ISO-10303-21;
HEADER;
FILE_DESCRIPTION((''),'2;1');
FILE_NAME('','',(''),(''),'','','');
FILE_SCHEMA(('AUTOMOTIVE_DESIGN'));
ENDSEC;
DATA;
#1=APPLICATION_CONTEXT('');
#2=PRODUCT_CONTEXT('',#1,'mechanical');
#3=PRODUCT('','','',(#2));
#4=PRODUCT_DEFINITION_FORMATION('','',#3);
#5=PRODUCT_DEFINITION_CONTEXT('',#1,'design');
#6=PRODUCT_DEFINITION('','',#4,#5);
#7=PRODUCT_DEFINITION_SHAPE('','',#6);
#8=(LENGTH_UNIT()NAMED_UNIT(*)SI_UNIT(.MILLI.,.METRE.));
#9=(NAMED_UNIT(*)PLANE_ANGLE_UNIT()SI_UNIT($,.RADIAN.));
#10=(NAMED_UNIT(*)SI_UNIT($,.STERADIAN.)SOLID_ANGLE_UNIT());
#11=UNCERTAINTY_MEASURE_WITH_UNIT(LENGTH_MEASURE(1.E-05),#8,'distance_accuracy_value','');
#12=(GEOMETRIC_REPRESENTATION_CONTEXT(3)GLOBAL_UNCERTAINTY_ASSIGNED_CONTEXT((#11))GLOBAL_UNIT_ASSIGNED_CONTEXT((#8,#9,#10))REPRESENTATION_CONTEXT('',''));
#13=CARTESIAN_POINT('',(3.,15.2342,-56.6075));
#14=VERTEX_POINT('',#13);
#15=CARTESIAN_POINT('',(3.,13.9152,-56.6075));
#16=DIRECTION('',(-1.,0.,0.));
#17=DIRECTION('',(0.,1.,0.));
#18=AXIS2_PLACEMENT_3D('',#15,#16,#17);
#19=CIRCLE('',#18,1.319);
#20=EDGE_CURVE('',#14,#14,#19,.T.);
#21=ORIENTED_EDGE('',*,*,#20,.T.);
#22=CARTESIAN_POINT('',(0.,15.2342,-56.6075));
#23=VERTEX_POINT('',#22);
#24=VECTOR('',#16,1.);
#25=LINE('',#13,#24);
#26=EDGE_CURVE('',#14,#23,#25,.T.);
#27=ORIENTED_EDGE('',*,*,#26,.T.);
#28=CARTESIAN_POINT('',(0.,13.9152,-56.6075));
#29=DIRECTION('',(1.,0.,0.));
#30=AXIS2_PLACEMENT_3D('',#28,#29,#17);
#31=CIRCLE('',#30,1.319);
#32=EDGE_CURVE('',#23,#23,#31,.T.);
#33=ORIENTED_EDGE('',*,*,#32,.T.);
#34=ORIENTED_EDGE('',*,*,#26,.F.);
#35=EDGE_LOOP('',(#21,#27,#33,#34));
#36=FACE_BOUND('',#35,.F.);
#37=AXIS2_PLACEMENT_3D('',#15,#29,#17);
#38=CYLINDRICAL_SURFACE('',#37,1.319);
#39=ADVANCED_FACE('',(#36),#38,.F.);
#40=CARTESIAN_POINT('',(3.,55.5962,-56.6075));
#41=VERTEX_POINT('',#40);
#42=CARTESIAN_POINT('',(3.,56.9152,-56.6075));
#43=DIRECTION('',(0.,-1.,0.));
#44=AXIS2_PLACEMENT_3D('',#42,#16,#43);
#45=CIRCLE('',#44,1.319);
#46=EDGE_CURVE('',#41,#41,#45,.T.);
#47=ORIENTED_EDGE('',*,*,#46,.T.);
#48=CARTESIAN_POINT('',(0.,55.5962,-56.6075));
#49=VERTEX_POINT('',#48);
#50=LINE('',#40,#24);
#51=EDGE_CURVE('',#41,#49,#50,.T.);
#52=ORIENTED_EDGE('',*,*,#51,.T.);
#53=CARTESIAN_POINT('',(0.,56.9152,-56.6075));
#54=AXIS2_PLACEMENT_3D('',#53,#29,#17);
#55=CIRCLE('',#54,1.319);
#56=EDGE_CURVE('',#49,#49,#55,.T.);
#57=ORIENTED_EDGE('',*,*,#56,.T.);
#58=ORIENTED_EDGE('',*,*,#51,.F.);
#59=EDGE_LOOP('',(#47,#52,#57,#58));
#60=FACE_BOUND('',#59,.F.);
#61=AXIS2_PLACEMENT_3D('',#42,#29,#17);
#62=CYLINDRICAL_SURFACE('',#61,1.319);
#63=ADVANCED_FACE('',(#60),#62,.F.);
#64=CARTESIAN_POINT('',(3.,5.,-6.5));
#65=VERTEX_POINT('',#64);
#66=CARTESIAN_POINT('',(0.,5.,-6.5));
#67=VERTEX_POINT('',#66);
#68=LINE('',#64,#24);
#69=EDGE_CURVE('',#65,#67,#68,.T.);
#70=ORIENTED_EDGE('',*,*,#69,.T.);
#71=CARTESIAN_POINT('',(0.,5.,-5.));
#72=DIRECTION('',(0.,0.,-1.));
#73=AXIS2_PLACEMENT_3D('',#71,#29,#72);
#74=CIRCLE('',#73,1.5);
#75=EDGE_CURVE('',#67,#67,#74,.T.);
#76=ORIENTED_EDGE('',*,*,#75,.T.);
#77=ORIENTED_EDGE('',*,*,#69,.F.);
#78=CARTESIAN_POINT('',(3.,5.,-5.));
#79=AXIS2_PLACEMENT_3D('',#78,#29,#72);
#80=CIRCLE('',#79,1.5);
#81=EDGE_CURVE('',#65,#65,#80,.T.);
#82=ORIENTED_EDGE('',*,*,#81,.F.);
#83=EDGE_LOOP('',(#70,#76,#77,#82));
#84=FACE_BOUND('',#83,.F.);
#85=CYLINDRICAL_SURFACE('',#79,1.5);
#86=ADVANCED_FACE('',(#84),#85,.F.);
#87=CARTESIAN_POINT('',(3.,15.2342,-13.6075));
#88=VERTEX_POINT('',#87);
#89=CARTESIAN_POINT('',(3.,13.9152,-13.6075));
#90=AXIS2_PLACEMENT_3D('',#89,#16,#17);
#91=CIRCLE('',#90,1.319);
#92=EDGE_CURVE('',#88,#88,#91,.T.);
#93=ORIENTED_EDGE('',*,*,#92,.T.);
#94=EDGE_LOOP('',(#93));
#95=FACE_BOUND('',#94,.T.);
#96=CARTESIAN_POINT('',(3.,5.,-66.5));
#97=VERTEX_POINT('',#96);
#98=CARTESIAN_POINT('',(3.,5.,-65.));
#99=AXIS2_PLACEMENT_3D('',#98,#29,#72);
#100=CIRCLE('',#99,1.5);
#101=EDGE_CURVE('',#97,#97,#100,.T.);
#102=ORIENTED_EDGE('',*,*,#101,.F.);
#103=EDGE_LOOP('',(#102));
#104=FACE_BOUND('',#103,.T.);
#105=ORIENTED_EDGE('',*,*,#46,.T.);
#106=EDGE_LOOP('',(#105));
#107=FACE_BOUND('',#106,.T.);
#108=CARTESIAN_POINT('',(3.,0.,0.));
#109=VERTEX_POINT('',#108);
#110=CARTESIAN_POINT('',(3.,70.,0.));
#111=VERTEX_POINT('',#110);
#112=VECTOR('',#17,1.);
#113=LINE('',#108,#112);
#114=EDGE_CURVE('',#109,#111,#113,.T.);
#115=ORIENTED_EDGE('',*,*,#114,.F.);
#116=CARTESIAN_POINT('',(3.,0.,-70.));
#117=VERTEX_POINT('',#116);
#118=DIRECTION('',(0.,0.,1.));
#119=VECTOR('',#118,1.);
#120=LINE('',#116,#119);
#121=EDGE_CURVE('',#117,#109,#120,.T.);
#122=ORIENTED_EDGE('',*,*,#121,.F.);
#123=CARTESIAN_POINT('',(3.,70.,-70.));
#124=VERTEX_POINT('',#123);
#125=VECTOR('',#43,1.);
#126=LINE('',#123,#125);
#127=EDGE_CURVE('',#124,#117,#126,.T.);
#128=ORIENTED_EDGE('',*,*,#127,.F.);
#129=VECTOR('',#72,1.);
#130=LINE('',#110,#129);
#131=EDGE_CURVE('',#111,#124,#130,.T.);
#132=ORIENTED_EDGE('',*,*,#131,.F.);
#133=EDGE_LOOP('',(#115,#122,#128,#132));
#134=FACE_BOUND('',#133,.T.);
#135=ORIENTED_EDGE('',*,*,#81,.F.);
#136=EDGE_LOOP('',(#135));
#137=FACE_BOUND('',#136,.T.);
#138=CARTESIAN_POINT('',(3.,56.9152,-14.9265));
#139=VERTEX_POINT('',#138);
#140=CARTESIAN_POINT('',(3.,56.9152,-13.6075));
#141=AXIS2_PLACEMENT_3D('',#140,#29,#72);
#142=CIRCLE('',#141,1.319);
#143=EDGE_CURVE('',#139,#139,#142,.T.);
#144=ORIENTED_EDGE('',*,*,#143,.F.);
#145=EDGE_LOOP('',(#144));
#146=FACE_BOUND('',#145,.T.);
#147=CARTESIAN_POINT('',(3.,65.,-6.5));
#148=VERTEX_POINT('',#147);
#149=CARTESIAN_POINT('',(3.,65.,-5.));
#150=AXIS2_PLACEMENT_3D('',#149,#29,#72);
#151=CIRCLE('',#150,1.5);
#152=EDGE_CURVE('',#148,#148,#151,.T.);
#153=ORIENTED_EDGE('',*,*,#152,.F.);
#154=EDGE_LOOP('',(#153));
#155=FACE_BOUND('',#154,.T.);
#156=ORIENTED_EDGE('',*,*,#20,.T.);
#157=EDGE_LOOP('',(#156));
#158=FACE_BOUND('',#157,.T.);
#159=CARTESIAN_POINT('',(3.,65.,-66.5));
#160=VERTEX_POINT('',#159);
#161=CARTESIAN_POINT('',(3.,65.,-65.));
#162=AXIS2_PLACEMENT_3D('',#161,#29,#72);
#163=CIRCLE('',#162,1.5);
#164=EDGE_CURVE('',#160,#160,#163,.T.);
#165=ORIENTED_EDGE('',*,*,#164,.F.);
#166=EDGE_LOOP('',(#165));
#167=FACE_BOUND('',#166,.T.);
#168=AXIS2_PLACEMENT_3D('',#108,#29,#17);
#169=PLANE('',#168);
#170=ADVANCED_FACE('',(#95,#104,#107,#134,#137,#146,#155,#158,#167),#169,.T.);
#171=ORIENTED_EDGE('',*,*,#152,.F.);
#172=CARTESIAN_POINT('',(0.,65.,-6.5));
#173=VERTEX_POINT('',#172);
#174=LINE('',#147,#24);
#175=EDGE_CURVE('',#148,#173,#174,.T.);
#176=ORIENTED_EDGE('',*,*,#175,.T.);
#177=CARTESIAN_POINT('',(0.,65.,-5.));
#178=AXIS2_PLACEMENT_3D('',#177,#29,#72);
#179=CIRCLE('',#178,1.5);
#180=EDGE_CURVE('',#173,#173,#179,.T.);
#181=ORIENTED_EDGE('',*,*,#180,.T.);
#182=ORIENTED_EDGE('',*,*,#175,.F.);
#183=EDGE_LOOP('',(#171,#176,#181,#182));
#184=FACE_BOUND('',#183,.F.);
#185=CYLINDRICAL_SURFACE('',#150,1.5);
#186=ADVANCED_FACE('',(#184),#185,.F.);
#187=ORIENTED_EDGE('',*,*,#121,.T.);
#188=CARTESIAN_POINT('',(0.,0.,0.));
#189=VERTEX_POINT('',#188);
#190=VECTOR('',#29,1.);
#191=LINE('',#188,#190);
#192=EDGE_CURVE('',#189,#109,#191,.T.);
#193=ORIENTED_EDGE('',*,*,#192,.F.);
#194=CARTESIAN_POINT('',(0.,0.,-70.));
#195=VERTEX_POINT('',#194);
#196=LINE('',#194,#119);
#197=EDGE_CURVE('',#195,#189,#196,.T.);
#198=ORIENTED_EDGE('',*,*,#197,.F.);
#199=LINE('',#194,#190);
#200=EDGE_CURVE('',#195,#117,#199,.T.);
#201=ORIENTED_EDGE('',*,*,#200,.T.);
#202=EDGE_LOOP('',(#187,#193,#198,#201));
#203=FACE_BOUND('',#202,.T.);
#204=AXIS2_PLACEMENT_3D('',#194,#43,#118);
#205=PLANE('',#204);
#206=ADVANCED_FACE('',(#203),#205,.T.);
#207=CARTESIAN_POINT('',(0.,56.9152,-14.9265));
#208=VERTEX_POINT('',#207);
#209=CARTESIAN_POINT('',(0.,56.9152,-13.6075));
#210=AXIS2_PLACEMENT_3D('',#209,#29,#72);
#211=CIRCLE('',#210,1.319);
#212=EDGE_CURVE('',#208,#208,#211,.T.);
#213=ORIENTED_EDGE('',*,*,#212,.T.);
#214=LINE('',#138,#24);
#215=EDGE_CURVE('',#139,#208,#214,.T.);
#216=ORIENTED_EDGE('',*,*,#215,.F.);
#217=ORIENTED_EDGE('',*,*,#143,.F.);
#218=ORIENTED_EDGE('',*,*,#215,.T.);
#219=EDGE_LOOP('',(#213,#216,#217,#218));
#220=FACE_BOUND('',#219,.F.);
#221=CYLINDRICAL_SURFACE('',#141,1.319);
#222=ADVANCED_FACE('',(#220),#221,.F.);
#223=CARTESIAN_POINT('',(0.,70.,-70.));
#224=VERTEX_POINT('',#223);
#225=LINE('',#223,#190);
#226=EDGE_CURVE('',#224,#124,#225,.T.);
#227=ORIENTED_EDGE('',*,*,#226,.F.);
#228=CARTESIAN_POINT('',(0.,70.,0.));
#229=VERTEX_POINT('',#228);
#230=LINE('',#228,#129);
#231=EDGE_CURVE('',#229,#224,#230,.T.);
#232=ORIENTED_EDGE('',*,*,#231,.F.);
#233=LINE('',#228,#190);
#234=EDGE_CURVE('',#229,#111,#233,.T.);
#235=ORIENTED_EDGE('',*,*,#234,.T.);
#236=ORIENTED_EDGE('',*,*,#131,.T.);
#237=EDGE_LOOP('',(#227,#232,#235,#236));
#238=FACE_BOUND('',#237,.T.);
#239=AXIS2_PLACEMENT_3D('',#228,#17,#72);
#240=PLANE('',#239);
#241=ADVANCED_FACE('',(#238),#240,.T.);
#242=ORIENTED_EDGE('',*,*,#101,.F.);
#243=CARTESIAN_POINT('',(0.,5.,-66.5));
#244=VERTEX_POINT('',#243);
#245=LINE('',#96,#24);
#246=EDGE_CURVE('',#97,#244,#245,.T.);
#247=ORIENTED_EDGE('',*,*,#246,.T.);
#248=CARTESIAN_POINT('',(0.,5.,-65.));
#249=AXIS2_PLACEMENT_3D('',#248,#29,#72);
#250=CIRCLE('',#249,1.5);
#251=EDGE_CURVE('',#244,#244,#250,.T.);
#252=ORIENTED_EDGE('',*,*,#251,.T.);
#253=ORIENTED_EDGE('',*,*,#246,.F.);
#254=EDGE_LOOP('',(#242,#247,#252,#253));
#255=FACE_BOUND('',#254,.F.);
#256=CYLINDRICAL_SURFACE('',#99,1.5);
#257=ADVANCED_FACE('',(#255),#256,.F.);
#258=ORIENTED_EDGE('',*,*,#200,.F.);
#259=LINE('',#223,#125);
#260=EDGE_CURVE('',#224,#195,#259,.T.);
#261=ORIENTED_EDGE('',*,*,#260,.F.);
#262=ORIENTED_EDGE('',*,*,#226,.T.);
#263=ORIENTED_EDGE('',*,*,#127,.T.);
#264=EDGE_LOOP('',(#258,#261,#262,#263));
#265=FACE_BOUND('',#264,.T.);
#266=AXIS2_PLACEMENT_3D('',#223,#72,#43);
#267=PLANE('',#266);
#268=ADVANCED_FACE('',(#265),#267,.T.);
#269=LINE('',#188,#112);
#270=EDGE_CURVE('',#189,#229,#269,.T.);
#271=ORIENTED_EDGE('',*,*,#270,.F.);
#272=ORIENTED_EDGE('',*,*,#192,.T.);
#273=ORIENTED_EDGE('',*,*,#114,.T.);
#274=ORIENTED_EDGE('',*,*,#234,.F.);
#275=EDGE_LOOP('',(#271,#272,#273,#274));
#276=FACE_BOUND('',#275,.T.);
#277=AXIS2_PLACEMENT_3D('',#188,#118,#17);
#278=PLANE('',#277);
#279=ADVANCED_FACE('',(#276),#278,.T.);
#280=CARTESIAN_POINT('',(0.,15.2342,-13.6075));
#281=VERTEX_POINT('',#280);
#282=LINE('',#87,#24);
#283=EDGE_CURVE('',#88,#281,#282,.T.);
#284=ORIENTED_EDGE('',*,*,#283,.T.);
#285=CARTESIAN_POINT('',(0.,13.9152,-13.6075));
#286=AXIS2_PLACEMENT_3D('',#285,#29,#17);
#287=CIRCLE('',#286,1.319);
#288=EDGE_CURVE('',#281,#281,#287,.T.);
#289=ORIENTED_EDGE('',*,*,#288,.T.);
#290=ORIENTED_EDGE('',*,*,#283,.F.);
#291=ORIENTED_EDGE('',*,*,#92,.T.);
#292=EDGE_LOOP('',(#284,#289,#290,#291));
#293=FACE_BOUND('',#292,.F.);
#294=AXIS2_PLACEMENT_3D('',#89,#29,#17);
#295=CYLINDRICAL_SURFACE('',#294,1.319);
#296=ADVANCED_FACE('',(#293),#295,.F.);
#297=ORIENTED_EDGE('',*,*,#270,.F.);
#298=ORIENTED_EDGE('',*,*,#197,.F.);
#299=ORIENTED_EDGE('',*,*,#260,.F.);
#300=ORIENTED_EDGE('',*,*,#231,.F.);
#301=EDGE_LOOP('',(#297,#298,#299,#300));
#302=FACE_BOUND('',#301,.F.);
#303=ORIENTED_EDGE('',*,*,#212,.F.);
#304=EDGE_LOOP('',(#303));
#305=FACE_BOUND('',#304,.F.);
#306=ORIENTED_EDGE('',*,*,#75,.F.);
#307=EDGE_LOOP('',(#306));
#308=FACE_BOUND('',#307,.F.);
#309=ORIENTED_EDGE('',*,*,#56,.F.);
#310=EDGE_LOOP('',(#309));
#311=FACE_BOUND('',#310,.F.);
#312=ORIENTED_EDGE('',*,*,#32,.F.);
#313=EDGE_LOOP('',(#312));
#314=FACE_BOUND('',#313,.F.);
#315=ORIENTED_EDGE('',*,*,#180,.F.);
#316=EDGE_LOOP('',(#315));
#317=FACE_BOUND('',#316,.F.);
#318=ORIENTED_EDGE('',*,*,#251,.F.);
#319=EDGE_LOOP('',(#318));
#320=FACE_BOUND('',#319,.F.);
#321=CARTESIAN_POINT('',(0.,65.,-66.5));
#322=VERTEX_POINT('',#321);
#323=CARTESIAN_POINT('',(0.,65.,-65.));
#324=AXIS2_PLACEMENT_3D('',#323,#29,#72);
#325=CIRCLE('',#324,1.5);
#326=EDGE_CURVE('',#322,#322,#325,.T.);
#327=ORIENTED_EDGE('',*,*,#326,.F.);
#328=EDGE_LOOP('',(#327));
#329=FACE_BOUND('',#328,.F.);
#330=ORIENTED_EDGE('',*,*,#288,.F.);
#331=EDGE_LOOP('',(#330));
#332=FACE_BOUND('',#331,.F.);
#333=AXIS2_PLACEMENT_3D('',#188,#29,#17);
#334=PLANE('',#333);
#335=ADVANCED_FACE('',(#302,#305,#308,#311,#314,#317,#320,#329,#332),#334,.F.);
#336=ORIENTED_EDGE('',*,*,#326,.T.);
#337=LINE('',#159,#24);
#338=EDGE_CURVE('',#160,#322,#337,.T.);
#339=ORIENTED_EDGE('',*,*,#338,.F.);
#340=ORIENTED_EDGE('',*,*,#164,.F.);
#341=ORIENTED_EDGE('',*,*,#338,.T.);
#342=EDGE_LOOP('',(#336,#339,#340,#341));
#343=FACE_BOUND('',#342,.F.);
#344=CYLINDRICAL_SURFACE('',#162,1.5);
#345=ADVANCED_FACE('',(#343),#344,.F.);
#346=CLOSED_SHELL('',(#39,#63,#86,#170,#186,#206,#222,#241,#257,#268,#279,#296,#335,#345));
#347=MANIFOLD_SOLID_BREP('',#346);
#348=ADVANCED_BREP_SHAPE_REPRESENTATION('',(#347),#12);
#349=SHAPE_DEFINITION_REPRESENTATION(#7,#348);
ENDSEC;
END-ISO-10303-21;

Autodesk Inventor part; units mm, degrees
ref_plane "YZ Plane" through (0, 0, 0) normal (1, 0, 0) x (0, 1, 0)
ref_plane "XZ Plane" through (0, 0, 0) normal (0, 1, 0) x (-1, 0, 0)
ref_plane "XY Plane" through (0, 0, 0) normal (0, 0, 1) x (1, 0, 0)
sketch "Sketch1" plane through (0, 0, 0) normal (1, 0, 0) x (0, 1, 0)
  line L0 (8.5457, 136.9798) -> (8.5457, 103.4797)
  spline S0 degree 3 poles (19.375, 147.8091) (18.6641, 147.8091) (17.9599, 147.7397) (17.2623, 147.601) (16.5652, 147.4624) (15.8881, 147.2569) (15.2308, 146.9847) (14.5742, 146.7128) (13.9501, 146.3792) (13.3586, 145.984) (12.7676, 145.5892) (12.2206, 145.1402) (11.7175, 144.6372) (11.215, 144.1347) (10.766, 143.5877) (10.3708, 142.9962) (9.9759, 142.4053) (9.6423, 141.7812) (9.37, 141.1239) (9.098, 140.4674) (8.8926, 139.7902) (8.7538, 139.0925) (8.6151, 138.3952) (8.5457, 137.691) (8.5457, 136.9798) knots 0 0 0 0 0.125 0.125 0.125 0.25 0.25 0.25 0.375 0.375 0.375 0.5 0.5 0.5 0.625 0.625 0.625 0.75 0.75 0.75 0.875 0.875 0.875 1 1 1 1
  line L1 (52.875, 147.8091) -> (19.375, 147.8091)
  arc A0 (58.801, 146.0438) -> (54.8456, 147.6282) centre (52.875, 136.9798) ccw
  ellipse E0 centre (52.881, 136.9737) end of major axis (52.8771, 126.1401) minor radius 10.825 (61.939, 142.9057) -> (58.801, 146.0438) ccw
  line L2 (63.7043, 103.4798) -> (63.7043, 136.9798)
  spline S1 degree 3 poles (58.801, 94.4157) (59.4265, 94.8247) (60.0037, 95.2936) (60.5324, 95.8223) (61.061, 96.3507) (61.5298, 96.9279) (61.939, 97.5537) knots 0 0 0 0 0.5 0.5 0.5 1 1 1 1
  spline S2 degree 3 poles (52.875, 92.6505) (53.5374, 92.6505) (54.1943, 92.7107) (54.8456, 92.8313) knots 0 0 0 0 1 1 1 1
  line L3 (19.375, 92.6505) -> (52.875, 92.6505)
  spline S3 degree 3 poles (10.311, 97.5538) (10.72, 96.9282) (11.1888, 96.3511) (11.7175, 95.8223) (12.246, 95.2938) (12.8231, 94.825) (13.449, 94.4158) knots 0 0 0 0 0.5 0.5 0.5 1 1 1 1
  arc A1 (57.625, 140.4108) -> (57.625, 143.0488) centre (57.625, 141.7298) ccw
  arc A2 (57.625, 143.0488) -> (57.625, 140.4108) centre (57.625, 141.7298) ccw
  arc A3 (57.625, 97.4108) -> (57.625, 100.0488) centre (57.625, 98.7298) ccw
  arc A4 (57.625, 100.0488) -> (57.625, 97.4108) centre (57.625, 98.7298) ccw
  arc A5 (14.625, 97.4108) -> (14.625, 100.0488) centre (14.625, 98.7298) ccw
  arc A6 (14.625, 100.0488) -> (14.625, 97.4108) centre (14.625, 98.7298) ccw
  circle A7 centre (14.625, 141.7298) radius 1.319
  arc A8 (63.5235, 138.9504) -> (61.939, 142.9057) centre (52.875, 136.9798) ccw
  line L4 (0, 0) -> (70, 0)
  line L5 (70, 0) -> (70, -70)
  line L6 (70, -70) -> (0, -70)
  line L7 (0, -70) -> (0, 0)
  point P0 (36.125, 120.2298)
  point P1 (63.5235, 101.5091)
  point P2 (62.9439, 99.4934)
  point P3 (56.8613, 93.4109)
  point P4 (57.625, 142.7363)
  dimension "d0" = 70
  dimension "d1" = 70
extrude "Extrusion1" add sketch "Sketch1" along normal blind 3 contours L4 L5 L6 L7
sketch "Sketch2" plane through (3, 0, 0) normal (1, 0, 0) x (0, 0, -1)
  line L0 (7.5282, 52.1652) -> (7.5282, 18.6652)
  spline S0 degree 3 poles (18.3575, 62.9945) (17.6466, 62.9945) (16.9424, 62.9251) (16.2448, 62.7864) (15.5477, 62.6478) (14.8706, 62.4424) (14.2133, 62.1702) (13.5567, 61.8982) (12.9326, 61.5646) (12.341, 61.1694) (11.7501, 60.7746) (11.2031, 60.3257) (10.7, 59.8227) (10.1975, 59.3201) (9.7485, 58.7731) (9.3533, 58.1816) (8.9584, 57.5907) (8.6248, 56.9666) (8.3525, 56.3094) (8.0805, 55.6528) (7.8751, 54.9756) (7.7363, 54.2779) (7.5976, 53.5807) (7.5282, 52.8764) (7.5282, 52.1652) knots 0 0 0 0 0.125 0.125 0.125 0.25 0.25 0.25 0.375 0.375 0.375 0.5 0.5 0.5 0.625 0.625 0.625 0.75 0.75 0.75 0.875 0.875 0.875 1 1 1 1
  line L1 (51.8575, 62.9945) -> (18.3575, 62.9945)
  arc A0 (57.7835, 61.2292) -> (53.8281, 62.8137) centre (51.8575, 52.1652) ccw
  ellipse E0 centre (51.8635, 52.1592) end of major axis (51.8596, 41.3255) minor radius 10.825 (60.9215, 58.0912) -> (57.7835, 61.2292) ccw
  line L2 (62.6868, 18.6652) -> (62.6868, 52.1652)
  spline S1 degree 3 poles (57.7835, 9.6012) (58.409, 10.0102) (58.9862, 10.479) (59.5149, 11.0077) (60.0434, 11.5362) (60.5123, 12.1133) (60.9215, 12.7392) knots 0 0 0 0 0.5 0.5 0.5 1 1 1 1
  spline S2 degree 3 poles (51.8575, 7.8359) (52.5199, 7.8359) (53.1768, 7.8962) (53.8281, 8.0167) knots 0 0 0 0 1 1 1 1
  line L3 (18.3575, 7.8359) -> (51.8575, 7.8359)
  spline S3 degree 3 poles (9.2935, 12.7392) (9.7025, 12.1137) (10.1713, 11.5365) (10.7, 11.0077) (11.2285, 10.4792) (11.8056, 10.0104) (12.4315, 9.6012) knots 0 0 0 0 0.5 0.5 0.5 1 1 1 1
  arc A1 (56.6075, 55.5962) -> (56.6075, 58.2342) centre (56.6075, 56.9152) ccw
  arc A2 (56.6075, 58.2342) -> (56.6075, 55.5962) centre (56.6075, 56.9152) ccw
  arc A3 (56.6075, 12.5962) -> (56.6075, 15.2342) centre (56.6075, 13.9152) ccw
  arc A4 (56.6075, 15.2342) -> (56.6075, 12.5962) centre (56.6075, 13.9152) ccw
  arc A5 (13.6075, 12.5962) -> (13.6075, 15.2342) centre (13.6075, 13.9152) ccw
  arc A6 (13.6075, 15.2342) -> (13.6075, 12.5962) centre (13.6075, 13.9152) ccw
  circle A7 centre (13.6075, 56.9152) radius 1.319
  arc A8 (62.506, 54.1358) -> (60.9215, 58.0912) centre (51.8575, 52.1652) ccw
  point P0 (0, 0)
  point P1 (35.1075, 35.4152)
  point P2 (62.506, 16.6946)
  point P3 (61.9264, 14.6789)
  point P4 (55.8438, 8.5963)
  point P5 (56.6075, 57.9217)
extrude "Extrusion2" cut sketch "Sketch2" against normal blind 68.4375
sketch "Sketch3" plane through (3, 0, 0) normal (1, 0, 0) x (0, 0, -1)
  circle A0 centre (5, 5) radius 1.5
  circle A1 centre (5, 65) radius 1.5
  circle A2 centre (65, 65) radius 1.5
  circle A3 centre (65, 5) radius 1.5
  point P0 (0, 0)
  dimension "d6" = 3
  dimension "d7" = 3
  dimension "d8" = 3
  dimension "d9" = 3
extrude "Extrusion3" cut sketch "Sketch3" against normal blind 39.5125
equation "\"BendRadius\" = Thickness"
equation "\"BendReliefWidth\" = Thickness"
equation "\"BendReliefDepth\" = 0.5 * Thickness"
equation "\"CornerReliefSize\" = 4 * Thickness"
equation "\"MinimumRemnant\" = 2 * Thickness"
equation "\"TransitionRadius\" = BendRadius"
equation "\"JacobiRadiusSize\" = BendRadius"
equation "\"GapSize\" = Thickness"
equation "\"Thickness\" = 3.048"
properties part number "lidar_plate" material "Aluminum 6061"
